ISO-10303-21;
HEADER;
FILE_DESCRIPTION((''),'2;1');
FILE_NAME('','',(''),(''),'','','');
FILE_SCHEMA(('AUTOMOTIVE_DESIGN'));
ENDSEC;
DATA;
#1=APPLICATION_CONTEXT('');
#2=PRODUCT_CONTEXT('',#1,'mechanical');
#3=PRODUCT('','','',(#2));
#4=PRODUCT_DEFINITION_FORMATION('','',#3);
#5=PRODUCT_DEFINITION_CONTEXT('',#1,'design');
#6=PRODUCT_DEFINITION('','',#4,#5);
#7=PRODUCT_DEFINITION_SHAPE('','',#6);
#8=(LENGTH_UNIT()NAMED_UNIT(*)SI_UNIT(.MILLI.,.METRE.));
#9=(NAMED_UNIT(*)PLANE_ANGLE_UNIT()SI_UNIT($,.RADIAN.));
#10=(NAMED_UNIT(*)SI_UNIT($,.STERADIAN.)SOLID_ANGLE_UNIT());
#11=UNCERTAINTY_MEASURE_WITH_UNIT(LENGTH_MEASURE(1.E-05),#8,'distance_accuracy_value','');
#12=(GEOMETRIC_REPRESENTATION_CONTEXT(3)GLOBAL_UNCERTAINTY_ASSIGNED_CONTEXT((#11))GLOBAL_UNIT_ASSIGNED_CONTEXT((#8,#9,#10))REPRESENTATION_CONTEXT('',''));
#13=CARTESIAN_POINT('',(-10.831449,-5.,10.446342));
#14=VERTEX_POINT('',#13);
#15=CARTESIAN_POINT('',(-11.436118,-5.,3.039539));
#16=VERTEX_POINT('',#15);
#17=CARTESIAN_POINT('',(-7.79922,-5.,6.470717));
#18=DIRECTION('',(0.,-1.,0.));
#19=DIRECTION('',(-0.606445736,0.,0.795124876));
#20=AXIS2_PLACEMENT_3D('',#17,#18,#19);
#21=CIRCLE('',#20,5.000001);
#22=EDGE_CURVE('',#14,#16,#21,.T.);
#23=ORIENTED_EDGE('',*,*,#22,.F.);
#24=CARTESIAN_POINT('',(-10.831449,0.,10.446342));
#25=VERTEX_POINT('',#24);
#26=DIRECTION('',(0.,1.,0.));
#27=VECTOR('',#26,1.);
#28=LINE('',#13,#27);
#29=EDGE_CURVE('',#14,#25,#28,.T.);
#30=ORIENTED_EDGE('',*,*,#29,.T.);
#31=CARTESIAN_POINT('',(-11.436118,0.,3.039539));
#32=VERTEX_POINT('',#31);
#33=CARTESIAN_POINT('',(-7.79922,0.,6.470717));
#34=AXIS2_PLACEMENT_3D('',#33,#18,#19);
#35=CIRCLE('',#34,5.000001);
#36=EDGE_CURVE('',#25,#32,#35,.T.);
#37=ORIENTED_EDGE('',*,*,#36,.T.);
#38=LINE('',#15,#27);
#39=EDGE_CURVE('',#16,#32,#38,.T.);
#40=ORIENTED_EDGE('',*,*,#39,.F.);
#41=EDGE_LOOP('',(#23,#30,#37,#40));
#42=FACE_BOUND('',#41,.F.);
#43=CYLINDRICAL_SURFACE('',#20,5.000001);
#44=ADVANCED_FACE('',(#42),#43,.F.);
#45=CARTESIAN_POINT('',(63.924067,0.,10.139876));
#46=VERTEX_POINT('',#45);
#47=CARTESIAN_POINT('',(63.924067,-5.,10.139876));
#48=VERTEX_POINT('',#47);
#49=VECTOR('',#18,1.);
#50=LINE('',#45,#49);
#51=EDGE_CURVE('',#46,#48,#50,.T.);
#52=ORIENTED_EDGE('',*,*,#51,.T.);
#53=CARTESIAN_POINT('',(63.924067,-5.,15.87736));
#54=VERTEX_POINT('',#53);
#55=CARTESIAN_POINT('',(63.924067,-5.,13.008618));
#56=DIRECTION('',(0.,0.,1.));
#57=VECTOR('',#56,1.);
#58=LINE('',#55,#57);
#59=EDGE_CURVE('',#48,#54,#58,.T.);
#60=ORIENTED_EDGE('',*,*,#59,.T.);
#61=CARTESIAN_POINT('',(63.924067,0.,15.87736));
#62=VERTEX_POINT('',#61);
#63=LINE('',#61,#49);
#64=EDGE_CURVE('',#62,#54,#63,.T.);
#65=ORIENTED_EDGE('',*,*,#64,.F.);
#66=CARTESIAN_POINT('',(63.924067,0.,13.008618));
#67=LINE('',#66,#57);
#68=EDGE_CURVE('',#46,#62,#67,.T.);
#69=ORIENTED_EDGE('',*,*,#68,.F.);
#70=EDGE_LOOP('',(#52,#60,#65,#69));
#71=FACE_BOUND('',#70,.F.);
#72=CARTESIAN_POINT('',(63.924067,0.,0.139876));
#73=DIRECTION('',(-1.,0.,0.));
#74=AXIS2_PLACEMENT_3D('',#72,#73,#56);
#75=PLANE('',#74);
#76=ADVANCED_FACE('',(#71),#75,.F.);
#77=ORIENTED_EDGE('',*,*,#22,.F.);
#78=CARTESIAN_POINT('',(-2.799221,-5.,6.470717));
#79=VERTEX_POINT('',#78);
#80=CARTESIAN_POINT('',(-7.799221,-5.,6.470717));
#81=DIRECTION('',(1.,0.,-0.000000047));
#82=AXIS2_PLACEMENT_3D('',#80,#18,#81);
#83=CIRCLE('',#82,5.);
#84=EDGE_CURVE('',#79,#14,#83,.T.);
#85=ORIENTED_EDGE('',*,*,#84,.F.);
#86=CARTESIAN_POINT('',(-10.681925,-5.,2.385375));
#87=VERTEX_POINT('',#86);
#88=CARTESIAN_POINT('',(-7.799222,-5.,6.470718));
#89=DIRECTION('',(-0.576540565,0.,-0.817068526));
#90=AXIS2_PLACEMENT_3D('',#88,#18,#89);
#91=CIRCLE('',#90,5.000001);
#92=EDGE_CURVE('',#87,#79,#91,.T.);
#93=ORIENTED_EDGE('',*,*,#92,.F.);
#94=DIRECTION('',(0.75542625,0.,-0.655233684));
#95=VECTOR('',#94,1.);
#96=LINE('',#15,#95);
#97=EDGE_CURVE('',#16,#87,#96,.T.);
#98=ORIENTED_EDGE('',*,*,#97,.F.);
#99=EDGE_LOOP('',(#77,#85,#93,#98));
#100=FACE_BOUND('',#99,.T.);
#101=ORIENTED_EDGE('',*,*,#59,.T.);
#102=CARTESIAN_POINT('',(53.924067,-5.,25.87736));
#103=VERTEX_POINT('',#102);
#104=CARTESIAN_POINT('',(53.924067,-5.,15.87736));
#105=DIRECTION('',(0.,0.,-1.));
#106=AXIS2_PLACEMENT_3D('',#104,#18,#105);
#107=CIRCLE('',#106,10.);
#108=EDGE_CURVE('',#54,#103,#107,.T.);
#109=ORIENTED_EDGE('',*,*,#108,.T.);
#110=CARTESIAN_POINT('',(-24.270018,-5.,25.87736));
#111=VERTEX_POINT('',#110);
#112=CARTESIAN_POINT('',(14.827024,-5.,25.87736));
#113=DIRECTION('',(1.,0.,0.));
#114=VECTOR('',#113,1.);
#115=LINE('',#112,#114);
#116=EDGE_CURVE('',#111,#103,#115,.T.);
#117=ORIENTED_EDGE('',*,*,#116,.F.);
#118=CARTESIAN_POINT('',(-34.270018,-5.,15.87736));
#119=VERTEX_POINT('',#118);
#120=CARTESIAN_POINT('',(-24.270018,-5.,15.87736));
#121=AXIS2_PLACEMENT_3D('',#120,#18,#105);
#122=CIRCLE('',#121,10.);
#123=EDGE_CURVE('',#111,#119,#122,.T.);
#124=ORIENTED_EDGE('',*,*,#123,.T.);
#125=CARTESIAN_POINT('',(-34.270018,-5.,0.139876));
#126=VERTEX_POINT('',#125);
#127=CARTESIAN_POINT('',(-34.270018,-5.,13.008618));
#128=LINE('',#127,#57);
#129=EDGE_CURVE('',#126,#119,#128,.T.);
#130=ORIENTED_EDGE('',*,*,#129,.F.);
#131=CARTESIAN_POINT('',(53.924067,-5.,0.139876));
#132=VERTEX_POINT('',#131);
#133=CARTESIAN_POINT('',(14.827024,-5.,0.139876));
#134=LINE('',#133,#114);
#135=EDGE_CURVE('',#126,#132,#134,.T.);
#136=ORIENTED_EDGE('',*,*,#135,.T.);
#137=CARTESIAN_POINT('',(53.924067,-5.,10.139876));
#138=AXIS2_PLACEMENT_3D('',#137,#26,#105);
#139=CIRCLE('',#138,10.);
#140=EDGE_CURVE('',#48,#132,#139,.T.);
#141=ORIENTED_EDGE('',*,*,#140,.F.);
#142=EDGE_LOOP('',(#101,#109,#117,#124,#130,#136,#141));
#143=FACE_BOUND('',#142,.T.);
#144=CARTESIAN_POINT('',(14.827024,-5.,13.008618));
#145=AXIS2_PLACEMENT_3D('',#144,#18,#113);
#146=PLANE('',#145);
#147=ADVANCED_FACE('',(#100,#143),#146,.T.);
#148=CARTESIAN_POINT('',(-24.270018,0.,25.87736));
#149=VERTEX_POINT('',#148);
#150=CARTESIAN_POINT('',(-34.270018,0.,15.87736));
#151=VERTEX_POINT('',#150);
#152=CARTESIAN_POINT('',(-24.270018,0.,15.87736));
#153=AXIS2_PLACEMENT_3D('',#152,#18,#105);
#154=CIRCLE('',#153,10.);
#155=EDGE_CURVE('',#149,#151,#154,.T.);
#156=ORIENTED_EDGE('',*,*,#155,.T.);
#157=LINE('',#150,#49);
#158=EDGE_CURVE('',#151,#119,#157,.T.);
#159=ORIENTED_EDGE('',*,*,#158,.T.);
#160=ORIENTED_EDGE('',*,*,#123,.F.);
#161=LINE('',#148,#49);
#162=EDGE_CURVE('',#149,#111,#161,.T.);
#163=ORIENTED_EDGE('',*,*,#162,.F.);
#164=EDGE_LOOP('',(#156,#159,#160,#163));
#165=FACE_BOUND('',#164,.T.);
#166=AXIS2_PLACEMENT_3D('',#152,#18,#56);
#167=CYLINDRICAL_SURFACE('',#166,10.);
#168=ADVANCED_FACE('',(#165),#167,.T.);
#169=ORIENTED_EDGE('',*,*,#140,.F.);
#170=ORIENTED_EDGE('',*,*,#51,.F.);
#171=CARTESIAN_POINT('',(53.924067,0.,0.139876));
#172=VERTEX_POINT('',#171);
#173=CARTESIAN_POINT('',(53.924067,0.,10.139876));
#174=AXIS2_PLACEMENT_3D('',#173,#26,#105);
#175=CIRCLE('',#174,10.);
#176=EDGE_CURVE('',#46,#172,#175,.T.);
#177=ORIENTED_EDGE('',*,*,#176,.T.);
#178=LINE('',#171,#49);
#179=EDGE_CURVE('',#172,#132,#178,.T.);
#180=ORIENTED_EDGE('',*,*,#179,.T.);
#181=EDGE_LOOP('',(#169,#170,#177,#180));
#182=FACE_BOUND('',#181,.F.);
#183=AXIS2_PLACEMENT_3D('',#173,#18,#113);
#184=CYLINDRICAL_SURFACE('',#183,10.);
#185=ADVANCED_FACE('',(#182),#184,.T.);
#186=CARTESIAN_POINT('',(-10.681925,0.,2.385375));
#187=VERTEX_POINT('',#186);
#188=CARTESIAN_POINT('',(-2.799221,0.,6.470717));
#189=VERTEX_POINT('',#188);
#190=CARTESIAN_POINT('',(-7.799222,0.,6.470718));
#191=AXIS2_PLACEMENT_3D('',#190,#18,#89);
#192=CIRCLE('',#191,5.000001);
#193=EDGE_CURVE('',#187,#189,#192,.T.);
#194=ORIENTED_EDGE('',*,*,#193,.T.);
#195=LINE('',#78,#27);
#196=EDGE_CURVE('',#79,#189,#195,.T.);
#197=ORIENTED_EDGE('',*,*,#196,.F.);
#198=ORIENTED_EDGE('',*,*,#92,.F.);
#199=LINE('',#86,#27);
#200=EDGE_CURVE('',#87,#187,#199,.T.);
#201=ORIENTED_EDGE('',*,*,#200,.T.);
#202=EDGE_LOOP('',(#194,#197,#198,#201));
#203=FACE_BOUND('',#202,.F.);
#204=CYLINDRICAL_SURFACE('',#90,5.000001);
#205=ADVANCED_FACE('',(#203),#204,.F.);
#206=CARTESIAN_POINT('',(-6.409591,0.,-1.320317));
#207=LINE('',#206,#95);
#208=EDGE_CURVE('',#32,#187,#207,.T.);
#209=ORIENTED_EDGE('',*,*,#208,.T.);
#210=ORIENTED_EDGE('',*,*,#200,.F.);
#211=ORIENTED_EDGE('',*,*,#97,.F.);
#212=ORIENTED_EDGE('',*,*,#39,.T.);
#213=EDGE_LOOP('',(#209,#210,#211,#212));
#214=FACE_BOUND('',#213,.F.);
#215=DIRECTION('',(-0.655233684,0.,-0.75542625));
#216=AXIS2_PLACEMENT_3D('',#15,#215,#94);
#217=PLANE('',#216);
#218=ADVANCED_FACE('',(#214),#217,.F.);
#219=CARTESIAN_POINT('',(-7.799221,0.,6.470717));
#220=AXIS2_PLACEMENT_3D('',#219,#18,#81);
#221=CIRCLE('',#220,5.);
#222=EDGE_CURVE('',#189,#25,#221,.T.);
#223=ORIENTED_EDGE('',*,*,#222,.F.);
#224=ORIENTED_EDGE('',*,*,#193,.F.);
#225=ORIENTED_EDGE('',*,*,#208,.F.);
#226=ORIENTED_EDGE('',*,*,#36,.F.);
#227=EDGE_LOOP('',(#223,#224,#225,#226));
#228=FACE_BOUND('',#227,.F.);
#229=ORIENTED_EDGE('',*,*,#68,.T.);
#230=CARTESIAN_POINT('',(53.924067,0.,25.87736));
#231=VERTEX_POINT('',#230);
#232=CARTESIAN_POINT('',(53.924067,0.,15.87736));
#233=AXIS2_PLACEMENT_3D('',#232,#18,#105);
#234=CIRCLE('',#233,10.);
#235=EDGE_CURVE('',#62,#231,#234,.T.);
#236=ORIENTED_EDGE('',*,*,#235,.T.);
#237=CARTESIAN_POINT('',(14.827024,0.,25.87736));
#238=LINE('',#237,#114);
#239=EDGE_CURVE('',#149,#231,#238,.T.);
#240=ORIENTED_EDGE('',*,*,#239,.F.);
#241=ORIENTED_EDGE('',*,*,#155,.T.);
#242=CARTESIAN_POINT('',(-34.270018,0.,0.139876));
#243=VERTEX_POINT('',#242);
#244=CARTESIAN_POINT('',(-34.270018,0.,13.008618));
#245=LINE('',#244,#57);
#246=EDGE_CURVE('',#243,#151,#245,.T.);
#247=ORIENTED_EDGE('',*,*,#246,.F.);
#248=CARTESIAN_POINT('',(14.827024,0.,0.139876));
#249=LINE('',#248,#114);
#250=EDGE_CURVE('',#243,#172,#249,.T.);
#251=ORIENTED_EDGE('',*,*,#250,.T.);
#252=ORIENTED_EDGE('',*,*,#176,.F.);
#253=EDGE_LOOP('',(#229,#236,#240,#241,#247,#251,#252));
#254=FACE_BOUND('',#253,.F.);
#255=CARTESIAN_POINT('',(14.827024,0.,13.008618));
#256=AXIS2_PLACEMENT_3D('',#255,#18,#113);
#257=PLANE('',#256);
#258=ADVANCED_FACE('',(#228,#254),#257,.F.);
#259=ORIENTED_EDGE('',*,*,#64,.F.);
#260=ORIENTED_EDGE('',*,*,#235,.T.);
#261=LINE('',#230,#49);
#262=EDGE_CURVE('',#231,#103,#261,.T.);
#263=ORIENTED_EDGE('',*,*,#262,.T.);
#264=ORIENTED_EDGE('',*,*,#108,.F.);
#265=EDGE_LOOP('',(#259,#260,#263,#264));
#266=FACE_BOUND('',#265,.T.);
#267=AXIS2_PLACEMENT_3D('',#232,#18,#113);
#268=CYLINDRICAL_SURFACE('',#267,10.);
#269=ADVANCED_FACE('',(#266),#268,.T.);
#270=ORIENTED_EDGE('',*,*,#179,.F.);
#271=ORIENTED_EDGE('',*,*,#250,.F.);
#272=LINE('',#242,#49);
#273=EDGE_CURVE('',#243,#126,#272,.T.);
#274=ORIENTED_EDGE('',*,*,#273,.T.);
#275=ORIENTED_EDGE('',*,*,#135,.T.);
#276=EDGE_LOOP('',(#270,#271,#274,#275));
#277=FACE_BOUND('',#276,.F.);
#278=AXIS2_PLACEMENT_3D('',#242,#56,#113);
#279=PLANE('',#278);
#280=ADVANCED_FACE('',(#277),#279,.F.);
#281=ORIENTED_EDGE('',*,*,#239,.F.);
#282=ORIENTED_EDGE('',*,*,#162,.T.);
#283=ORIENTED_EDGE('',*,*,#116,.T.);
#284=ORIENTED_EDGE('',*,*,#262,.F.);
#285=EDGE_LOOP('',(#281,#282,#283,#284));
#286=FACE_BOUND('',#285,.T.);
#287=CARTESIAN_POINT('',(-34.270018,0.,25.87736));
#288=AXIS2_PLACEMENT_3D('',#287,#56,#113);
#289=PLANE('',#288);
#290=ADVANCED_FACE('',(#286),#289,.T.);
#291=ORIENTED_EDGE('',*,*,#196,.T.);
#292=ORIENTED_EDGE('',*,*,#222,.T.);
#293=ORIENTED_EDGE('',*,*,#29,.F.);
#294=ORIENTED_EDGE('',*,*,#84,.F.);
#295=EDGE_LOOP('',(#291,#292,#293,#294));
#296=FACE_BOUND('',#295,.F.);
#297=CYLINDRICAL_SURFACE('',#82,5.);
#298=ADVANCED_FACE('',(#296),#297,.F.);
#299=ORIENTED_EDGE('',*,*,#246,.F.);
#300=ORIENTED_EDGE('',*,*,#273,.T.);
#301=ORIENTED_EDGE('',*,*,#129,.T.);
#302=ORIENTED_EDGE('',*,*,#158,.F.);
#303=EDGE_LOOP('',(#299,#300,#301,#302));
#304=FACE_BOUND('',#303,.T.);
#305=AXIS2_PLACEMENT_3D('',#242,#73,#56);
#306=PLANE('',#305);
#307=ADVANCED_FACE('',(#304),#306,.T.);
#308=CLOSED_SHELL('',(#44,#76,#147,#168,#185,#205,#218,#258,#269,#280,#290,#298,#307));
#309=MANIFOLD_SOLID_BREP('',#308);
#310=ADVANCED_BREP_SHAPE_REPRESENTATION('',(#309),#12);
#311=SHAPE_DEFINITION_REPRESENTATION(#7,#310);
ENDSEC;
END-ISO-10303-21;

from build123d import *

# Parameters (mm, degrees)
F0_W     = 98.194085
F0_H     = 25.737483
F1_DEPTH = 5
F2_R     = 10
F3_R     = 10
F4_R     = 10
F6_DEPTH = 5.001


with BuildPart() as f1:
    # F0 (on Front) → F1 (new body)
    with BuildSketch(Plane.XZ):
        with Locations((14.827024, 13.008618)):
            Rectangle(F0_W, F0_H)
    extrude(amount=F1_DEPTH)

    # F2
    f2_edges = [f1.edges().sort_by_distance(p)[0] for p in [
        (63.924067, -2.5, 25.87736),
    ]]
    fillet(f2_edges, radius=F2_R)

    # F3
    f3_edges = [f1.edges().sort_by_distance(p)[0] for p in [
        (63.924067, -2.5, 0.139877),
    ]]
    fillet(f3_edges, radius=F3_R)

    # F4
    f4_edges = [f1.edges().sort_by_distance(p)[0] for p in [
        (-34.270018, -2.5, 25.87736),
    ]]
    fillet(f4_edges, radius=F4_R)

    # F5 (on face) → F6 (cut, through all)
    with BuildSketch(Plane.XZ.offset(5)):
        with BuildLine():
            ThreePointArc((-10.681925, 2.385375), (-5.498517, 2.031488), (-2.799221, 6.470717))
            ThreePointArc((-2.799221, 6.470717), (-5.581242, 10.951852), (-10.831449, 10.446342))
            ThreePointArc((-10.831449, 10.446342), (-12.782642, 6.877549), (-11.436118, 3.039539))
            Line((-11.436118, 3.039539), (-10.681925, 2.385375))
        make_face()
    extrude(amount=-F6_DEPTH, mode=Mode.SUBTRACT)


solid = f1.part
